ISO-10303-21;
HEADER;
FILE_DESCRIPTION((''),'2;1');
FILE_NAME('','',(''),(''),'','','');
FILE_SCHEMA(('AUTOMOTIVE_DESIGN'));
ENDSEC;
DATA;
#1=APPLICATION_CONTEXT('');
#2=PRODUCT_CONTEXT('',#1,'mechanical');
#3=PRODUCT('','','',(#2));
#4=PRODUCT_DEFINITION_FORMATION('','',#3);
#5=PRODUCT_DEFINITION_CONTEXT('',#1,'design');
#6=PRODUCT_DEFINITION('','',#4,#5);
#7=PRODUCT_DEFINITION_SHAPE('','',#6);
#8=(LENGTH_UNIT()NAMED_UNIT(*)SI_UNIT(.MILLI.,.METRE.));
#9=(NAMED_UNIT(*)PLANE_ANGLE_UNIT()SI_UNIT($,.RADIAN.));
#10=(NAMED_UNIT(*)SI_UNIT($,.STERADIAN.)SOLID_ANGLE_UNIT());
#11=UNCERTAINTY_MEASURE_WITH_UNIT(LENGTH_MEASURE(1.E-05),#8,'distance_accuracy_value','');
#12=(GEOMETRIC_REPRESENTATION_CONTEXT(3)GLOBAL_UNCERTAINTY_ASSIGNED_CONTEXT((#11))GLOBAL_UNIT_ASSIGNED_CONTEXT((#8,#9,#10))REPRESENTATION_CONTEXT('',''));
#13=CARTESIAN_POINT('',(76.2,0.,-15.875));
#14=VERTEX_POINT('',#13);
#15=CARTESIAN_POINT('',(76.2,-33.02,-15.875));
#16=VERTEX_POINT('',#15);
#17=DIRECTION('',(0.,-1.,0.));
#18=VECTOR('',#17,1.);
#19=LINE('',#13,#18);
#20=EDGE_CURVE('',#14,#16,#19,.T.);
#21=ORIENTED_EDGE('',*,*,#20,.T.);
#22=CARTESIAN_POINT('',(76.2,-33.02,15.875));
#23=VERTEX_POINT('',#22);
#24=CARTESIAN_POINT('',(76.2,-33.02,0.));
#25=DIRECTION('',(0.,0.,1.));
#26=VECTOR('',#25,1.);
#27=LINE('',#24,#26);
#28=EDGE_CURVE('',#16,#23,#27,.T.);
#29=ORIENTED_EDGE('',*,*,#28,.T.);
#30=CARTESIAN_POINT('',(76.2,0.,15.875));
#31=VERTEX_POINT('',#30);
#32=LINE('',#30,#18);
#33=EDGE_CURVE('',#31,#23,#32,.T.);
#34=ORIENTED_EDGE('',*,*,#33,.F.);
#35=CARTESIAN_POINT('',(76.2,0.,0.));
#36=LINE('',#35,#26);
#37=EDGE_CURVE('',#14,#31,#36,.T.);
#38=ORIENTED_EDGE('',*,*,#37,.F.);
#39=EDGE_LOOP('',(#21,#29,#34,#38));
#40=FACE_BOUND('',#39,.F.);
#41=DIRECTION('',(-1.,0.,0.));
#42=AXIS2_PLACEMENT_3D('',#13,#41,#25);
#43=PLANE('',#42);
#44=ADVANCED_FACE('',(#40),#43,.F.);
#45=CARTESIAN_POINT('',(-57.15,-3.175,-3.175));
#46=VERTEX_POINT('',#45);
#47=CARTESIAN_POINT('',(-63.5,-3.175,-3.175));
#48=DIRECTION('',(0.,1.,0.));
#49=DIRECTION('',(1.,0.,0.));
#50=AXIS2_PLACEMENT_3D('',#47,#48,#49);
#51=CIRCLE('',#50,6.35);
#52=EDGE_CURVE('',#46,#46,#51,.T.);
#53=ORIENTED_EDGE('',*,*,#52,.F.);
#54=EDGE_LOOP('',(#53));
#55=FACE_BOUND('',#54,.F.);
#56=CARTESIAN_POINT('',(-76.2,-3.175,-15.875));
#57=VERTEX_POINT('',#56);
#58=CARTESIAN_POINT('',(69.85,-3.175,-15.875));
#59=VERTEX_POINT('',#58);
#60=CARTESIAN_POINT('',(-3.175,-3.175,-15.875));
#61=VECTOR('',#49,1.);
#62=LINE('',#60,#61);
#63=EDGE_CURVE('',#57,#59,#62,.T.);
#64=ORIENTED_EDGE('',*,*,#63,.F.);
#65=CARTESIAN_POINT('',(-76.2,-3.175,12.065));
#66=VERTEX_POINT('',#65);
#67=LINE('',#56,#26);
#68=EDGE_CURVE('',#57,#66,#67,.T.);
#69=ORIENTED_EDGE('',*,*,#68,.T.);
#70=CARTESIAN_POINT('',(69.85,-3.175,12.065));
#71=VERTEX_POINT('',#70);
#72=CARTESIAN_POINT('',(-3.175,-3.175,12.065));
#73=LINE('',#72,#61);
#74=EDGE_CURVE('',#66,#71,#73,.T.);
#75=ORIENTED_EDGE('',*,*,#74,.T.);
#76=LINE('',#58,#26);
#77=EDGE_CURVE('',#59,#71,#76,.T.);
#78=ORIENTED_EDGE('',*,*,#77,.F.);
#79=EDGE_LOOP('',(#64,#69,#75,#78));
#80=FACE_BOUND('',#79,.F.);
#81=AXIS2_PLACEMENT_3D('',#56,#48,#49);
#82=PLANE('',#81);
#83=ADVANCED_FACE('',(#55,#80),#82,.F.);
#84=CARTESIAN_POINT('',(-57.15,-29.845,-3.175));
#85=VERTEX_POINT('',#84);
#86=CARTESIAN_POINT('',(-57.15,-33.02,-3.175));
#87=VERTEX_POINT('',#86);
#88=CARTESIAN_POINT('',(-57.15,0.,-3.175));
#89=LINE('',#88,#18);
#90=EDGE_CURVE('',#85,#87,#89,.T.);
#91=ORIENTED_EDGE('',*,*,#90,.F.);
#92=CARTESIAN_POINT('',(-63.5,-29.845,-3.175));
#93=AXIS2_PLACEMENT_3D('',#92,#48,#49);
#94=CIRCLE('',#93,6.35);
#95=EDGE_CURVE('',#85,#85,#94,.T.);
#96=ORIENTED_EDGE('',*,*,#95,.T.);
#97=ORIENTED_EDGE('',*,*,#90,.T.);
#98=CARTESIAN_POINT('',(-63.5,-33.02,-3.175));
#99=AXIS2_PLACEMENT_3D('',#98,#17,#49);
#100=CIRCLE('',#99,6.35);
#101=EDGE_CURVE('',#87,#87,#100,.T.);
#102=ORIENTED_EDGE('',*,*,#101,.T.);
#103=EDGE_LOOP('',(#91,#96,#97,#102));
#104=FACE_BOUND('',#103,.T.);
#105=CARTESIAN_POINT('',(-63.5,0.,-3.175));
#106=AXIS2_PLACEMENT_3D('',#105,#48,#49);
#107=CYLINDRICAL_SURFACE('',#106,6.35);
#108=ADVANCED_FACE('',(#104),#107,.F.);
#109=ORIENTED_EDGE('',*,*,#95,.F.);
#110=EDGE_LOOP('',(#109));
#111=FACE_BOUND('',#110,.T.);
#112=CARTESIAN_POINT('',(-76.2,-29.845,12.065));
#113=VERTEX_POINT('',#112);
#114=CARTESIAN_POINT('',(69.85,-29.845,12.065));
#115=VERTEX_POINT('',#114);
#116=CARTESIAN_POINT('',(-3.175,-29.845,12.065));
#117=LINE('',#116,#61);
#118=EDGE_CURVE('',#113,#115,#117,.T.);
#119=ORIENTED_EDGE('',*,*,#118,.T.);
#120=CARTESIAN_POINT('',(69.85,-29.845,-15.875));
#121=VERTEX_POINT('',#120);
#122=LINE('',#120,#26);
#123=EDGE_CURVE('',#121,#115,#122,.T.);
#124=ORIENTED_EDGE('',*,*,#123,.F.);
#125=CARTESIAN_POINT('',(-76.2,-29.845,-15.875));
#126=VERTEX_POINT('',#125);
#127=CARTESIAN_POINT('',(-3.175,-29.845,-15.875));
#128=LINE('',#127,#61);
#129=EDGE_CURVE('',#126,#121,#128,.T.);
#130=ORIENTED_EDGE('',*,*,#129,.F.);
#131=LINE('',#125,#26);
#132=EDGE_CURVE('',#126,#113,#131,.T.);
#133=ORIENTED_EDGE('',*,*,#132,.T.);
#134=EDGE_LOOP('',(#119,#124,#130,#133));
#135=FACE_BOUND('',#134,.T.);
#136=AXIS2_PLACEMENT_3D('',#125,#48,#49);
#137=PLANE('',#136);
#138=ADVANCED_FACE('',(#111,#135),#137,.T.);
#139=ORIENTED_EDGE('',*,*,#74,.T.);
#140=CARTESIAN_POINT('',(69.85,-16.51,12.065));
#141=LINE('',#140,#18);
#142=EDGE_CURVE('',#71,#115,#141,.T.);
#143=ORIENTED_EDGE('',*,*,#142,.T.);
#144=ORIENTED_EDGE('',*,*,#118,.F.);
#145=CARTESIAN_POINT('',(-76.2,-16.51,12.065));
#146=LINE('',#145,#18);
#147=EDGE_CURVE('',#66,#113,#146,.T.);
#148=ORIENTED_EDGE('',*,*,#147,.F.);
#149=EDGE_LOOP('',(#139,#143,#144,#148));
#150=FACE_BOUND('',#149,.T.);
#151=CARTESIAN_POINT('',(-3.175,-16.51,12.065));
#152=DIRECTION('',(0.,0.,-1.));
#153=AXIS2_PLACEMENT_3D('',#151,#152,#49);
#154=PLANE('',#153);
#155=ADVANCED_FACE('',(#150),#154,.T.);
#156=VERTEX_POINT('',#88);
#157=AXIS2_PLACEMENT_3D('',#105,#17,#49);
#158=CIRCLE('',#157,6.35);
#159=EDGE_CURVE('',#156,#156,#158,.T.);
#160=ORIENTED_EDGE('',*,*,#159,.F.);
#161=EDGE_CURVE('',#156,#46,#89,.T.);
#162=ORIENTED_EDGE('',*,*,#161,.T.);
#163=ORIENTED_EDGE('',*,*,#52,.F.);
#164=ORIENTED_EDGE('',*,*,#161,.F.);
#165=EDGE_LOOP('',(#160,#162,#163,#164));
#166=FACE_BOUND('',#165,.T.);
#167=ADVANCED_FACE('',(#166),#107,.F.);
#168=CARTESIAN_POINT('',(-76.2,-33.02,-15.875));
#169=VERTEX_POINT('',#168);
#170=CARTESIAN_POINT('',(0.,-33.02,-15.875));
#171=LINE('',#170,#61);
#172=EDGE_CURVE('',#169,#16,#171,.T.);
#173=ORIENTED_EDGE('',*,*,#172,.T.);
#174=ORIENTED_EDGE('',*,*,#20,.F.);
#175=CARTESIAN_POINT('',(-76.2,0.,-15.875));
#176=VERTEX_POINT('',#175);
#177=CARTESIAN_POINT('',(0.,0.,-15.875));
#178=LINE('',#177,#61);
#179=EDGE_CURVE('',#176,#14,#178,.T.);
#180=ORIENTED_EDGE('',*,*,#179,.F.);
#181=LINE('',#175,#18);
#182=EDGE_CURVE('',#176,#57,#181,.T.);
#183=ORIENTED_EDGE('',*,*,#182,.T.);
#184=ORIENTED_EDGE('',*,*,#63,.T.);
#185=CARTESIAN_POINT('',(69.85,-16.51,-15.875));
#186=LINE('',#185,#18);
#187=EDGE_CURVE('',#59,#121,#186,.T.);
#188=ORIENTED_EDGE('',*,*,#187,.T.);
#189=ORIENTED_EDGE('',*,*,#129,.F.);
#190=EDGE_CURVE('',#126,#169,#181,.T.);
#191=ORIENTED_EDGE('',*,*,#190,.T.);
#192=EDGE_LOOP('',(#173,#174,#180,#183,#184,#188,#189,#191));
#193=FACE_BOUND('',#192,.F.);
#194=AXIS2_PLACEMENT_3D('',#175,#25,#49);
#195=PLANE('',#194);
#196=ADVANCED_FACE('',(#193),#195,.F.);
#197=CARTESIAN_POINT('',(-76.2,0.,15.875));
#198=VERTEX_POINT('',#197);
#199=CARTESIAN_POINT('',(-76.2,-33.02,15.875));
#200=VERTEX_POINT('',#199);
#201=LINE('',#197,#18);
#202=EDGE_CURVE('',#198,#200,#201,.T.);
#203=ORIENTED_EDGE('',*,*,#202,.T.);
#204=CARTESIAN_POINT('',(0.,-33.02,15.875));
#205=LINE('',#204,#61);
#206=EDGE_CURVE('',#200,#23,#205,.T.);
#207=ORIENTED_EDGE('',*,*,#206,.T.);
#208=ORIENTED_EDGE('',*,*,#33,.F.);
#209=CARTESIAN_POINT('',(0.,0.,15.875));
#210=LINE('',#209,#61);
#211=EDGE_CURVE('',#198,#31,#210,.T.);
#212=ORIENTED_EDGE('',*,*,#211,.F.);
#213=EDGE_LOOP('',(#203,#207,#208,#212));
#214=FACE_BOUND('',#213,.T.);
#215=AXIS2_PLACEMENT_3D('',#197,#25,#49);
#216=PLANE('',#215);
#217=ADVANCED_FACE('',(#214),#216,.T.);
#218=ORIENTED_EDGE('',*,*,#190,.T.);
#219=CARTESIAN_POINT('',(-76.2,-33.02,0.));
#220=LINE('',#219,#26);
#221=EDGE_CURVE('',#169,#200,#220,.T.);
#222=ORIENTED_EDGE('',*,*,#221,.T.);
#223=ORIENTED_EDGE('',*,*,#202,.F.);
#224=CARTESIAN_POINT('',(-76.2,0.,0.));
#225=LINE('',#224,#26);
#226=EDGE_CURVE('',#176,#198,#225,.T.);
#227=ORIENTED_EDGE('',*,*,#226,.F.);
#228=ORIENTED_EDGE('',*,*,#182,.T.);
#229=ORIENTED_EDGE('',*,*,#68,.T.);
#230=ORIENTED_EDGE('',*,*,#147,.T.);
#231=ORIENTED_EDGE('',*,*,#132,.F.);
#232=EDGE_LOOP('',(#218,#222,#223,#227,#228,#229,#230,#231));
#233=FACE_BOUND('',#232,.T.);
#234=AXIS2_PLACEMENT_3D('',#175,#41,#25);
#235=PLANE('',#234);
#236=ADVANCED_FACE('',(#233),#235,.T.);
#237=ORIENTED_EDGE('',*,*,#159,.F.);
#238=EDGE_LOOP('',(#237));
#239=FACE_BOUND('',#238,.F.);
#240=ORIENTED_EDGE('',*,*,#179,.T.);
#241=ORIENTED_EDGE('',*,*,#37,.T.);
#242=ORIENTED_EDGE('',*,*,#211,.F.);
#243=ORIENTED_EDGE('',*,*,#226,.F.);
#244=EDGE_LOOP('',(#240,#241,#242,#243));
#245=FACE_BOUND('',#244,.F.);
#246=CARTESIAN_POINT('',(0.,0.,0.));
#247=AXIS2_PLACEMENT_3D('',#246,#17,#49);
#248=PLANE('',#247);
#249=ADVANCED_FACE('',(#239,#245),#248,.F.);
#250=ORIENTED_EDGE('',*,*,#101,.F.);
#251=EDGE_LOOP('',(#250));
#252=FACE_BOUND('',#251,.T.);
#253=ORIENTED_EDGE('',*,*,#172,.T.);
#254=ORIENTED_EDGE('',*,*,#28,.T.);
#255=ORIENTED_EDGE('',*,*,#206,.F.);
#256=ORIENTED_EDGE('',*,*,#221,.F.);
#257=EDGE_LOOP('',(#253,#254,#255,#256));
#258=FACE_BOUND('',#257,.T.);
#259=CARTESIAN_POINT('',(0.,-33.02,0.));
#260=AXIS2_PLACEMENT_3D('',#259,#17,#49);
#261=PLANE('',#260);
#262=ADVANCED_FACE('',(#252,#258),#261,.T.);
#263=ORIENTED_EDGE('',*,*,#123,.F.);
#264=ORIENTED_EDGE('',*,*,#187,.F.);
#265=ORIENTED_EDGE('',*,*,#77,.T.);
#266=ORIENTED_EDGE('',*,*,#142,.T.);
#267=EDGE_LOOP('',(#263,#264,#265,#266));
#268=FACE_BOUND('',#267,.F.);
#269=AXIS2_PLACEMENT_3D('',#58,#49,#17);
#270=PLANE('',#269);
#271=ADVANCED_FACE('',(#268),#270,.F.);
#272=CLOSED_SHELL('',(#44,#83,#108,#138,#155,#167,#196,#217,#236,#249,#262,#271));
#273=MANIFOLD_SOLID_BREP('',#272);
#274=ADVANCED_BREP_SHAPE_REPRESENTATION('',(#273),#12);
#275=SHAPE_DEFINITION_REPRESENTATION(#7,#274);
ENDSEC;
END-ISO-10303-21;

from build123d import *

# Parameters (mm, degrees)
F0_W     = 152.4
F0_H     = 31.75
F0_R     = 6.35
F1_DEPTH = 33.02
F2_W     = 146.05
F2_H     = 26.67
F3_DEPTH = 27.94


with BuildPart() as f1:
    # F0 (on Front) → F1 (new body)
    with BuildSketch(Plane.XZ):
        Rectangle(F0_W, F0_H)
        with Locations((-63.5, -3.175)):
            Circle(F0_R, mode=Mode.SUBTRACT)
    extrude(amount=F1_DEPTH)

    # F2 (on face) → F3 (cut)
    with BuildSketch(Plane(origin=(0, 0, -15.875), x_dir=(1, 0, 0), z_dir=(0, 0, -1))):
        with Locations((-3.175, 16.51)):
            Rectangle(F2_W, F2_H)
    extrude(amount=-F3_DEPTH, mode=Mode.SUBTRACT)


solid = f1.part
